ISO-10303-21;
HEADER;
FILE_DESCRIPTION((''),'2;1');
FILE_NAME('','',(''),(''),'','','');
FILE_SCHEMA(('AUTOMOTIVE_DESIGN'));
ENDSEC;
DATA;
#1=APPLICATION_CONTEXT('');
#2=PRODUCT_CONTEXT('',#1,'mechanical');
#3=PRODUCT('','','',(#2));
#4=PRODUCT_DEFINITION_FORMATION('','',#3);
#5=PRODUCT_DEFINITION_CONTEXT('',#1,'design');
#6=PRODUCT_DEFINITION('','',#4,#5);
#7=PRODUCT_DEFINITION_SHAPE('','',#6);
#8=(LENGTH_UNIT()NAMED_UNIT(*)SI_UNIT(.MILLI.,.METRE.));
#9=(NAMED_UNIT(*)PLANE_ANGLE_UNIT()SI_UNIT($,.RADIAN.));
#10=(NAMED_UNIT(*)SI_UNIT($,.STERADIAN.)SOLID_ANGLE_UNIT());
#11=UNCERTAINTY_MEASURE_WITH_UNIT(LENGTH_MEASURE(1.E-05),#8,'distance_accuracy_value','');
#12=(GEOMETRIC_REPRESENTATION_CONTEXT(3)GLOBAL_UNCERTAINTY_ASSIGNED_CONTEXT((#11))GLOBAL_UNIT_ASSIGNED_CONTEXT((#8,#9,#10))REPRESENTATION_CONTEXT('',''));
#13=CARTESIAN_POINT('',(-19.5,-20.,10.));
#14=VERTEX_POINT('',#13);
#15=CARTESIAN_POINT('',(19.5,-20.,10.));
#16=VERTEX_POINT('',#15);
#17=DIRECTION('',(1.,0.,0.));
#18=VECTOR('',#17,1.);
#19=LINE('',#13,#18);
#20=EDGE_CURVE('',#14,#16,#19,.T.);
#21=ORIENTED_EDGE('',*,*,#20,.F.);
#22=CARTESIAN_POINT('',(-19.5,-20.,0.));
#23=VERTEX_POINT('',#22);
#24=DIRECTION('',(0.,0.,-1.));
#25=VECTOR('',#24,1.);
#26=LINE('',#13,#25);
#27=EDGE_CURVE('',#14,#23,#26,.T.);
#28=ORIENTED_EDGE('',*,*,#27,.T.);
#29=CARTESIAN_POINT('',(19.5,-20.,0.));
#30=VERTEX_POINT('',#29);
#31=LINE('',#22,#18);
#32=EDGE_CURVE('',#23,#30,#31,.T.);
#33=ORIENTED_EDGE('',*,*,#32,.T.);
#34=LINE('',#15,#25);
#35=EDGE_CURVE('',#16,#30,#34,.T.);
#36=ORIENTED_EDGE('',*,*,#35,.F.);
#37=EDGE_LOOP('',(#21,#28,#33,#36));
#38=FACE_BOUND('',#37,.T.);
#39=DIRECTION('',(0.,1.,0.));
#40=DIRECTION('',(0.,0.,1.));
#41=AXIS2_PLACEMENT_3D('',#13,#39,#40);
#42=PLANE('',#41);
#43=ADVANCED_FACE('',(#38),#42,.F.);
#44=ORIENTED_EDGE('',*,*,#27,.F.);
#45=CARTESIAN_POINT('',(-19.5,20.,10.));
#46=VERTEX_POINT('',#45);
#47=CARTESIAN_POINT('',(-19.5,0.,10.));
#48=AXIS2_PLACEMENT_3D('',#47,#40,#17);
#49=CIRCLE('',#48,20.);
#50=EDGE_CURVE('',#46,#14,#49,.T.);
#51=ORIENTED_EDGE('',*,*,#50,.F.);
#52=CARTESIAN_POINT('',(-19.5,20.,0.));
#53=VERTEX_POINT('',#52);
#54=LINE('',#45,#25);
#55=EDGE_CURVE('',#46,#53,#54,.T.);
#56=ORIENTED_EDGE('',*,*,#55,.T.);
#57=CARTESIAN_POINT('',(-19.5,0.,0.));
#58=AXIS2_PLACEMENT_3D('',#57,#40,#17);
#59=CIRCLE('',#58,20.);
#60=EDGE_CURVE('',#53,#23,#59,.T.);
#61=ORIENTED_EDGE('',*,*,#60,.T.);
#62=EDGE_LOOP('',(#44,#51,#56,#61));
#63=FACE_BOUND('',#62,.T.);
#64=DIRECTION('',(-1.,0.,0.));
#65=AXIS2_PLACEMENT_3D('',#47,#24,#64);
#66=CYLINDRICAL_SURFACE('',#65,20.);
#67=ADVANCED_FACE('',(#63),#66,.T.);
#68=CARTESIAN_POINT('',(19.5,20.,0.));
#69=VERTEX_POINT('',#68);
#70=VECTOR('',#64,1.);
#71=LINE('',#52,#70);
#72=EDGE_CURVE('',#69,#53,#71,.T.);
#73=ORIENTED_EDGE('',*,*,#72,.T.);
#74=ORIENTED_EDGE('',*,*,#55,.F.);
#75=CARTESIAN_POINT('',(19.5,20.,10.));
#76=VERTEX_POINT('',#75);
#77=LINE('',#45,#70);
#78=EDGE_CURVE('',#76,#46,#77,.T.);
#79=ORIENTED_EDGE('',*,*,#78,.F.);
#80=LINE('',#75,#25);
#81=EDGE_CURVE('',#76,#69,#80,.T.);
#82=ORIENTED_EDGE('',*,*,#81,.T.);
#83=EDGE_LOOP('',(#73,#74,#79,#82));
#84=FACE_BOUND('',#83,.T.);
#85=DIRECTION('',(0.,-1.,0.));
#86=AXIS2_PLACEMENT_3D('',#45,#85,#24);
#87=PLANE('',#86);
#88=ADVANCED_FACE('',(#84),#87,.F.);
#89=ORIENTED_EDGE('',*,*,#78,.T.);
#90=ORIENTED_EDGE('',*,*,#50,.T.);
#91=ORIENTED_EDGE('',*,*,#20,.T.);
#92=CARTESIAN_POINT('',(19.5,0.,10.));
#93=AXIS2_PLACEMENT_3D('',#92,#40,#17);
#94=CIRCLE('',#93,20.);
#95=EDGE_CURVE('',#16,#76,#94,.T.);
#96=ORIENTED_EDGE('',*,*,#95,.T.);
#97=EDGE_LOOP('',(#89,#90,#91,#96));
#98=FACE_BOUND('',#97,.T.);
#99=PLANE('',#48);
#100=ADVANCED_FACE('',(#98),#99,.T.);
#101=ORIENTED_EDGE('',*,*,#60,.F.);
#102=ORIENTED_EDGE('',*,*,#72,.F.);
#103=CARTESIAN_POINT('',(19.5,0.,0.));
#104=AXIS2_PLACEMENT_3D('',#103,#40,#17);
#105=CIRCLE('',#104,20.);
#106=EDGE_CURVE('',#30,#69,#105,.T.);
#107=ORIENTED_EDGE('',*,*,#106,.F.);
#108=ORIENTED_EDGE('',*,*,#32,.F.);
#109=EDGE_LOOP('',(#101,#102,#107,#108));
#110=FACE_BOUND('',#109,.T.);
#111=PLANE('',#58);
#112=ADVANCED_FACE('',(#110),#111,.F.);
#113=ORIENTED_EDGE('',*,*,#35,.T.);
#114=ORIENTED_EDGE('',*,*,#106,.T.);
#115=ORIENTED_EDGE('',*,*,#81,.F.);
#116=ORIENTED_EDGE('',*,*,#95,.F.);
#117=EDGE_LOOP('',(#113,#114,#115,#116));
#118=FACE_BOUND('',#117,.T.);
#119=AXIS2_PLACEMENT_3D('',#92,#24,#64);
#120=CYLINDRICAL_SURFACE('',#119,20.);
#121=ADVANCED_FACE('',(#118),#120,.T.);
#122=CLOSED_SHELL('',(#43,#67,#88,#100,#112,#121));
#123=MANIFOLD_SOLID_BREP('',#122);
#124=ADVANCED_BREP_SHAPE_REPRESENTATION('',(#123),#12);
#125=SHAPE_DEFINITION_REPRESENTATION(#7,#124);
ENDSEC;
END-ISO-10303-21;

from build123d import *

# Parameters (mm, degrees)
EXTRUDE_1_DEPTH = 10


with BuildPart() as part:
    # Эскиз1 → Бобышка-Вытянуть1 (new body)
    with BuildSketch(Plane.XY):
        with BuildLine():
            Line((-19.5, 20), (19.5, 20))
            ThreePointArc((19.5, 20), (39.5, 0), (19.5, -20))
            Line((19.5, -20), (-19.5, -20))
            ThreePointArc((-19.5, -20), (-39.5, 0), (-19.5, 20))
        make_face()
    extrude(amount=EXTRUDE_1_DEPTH)


solid = part.part
